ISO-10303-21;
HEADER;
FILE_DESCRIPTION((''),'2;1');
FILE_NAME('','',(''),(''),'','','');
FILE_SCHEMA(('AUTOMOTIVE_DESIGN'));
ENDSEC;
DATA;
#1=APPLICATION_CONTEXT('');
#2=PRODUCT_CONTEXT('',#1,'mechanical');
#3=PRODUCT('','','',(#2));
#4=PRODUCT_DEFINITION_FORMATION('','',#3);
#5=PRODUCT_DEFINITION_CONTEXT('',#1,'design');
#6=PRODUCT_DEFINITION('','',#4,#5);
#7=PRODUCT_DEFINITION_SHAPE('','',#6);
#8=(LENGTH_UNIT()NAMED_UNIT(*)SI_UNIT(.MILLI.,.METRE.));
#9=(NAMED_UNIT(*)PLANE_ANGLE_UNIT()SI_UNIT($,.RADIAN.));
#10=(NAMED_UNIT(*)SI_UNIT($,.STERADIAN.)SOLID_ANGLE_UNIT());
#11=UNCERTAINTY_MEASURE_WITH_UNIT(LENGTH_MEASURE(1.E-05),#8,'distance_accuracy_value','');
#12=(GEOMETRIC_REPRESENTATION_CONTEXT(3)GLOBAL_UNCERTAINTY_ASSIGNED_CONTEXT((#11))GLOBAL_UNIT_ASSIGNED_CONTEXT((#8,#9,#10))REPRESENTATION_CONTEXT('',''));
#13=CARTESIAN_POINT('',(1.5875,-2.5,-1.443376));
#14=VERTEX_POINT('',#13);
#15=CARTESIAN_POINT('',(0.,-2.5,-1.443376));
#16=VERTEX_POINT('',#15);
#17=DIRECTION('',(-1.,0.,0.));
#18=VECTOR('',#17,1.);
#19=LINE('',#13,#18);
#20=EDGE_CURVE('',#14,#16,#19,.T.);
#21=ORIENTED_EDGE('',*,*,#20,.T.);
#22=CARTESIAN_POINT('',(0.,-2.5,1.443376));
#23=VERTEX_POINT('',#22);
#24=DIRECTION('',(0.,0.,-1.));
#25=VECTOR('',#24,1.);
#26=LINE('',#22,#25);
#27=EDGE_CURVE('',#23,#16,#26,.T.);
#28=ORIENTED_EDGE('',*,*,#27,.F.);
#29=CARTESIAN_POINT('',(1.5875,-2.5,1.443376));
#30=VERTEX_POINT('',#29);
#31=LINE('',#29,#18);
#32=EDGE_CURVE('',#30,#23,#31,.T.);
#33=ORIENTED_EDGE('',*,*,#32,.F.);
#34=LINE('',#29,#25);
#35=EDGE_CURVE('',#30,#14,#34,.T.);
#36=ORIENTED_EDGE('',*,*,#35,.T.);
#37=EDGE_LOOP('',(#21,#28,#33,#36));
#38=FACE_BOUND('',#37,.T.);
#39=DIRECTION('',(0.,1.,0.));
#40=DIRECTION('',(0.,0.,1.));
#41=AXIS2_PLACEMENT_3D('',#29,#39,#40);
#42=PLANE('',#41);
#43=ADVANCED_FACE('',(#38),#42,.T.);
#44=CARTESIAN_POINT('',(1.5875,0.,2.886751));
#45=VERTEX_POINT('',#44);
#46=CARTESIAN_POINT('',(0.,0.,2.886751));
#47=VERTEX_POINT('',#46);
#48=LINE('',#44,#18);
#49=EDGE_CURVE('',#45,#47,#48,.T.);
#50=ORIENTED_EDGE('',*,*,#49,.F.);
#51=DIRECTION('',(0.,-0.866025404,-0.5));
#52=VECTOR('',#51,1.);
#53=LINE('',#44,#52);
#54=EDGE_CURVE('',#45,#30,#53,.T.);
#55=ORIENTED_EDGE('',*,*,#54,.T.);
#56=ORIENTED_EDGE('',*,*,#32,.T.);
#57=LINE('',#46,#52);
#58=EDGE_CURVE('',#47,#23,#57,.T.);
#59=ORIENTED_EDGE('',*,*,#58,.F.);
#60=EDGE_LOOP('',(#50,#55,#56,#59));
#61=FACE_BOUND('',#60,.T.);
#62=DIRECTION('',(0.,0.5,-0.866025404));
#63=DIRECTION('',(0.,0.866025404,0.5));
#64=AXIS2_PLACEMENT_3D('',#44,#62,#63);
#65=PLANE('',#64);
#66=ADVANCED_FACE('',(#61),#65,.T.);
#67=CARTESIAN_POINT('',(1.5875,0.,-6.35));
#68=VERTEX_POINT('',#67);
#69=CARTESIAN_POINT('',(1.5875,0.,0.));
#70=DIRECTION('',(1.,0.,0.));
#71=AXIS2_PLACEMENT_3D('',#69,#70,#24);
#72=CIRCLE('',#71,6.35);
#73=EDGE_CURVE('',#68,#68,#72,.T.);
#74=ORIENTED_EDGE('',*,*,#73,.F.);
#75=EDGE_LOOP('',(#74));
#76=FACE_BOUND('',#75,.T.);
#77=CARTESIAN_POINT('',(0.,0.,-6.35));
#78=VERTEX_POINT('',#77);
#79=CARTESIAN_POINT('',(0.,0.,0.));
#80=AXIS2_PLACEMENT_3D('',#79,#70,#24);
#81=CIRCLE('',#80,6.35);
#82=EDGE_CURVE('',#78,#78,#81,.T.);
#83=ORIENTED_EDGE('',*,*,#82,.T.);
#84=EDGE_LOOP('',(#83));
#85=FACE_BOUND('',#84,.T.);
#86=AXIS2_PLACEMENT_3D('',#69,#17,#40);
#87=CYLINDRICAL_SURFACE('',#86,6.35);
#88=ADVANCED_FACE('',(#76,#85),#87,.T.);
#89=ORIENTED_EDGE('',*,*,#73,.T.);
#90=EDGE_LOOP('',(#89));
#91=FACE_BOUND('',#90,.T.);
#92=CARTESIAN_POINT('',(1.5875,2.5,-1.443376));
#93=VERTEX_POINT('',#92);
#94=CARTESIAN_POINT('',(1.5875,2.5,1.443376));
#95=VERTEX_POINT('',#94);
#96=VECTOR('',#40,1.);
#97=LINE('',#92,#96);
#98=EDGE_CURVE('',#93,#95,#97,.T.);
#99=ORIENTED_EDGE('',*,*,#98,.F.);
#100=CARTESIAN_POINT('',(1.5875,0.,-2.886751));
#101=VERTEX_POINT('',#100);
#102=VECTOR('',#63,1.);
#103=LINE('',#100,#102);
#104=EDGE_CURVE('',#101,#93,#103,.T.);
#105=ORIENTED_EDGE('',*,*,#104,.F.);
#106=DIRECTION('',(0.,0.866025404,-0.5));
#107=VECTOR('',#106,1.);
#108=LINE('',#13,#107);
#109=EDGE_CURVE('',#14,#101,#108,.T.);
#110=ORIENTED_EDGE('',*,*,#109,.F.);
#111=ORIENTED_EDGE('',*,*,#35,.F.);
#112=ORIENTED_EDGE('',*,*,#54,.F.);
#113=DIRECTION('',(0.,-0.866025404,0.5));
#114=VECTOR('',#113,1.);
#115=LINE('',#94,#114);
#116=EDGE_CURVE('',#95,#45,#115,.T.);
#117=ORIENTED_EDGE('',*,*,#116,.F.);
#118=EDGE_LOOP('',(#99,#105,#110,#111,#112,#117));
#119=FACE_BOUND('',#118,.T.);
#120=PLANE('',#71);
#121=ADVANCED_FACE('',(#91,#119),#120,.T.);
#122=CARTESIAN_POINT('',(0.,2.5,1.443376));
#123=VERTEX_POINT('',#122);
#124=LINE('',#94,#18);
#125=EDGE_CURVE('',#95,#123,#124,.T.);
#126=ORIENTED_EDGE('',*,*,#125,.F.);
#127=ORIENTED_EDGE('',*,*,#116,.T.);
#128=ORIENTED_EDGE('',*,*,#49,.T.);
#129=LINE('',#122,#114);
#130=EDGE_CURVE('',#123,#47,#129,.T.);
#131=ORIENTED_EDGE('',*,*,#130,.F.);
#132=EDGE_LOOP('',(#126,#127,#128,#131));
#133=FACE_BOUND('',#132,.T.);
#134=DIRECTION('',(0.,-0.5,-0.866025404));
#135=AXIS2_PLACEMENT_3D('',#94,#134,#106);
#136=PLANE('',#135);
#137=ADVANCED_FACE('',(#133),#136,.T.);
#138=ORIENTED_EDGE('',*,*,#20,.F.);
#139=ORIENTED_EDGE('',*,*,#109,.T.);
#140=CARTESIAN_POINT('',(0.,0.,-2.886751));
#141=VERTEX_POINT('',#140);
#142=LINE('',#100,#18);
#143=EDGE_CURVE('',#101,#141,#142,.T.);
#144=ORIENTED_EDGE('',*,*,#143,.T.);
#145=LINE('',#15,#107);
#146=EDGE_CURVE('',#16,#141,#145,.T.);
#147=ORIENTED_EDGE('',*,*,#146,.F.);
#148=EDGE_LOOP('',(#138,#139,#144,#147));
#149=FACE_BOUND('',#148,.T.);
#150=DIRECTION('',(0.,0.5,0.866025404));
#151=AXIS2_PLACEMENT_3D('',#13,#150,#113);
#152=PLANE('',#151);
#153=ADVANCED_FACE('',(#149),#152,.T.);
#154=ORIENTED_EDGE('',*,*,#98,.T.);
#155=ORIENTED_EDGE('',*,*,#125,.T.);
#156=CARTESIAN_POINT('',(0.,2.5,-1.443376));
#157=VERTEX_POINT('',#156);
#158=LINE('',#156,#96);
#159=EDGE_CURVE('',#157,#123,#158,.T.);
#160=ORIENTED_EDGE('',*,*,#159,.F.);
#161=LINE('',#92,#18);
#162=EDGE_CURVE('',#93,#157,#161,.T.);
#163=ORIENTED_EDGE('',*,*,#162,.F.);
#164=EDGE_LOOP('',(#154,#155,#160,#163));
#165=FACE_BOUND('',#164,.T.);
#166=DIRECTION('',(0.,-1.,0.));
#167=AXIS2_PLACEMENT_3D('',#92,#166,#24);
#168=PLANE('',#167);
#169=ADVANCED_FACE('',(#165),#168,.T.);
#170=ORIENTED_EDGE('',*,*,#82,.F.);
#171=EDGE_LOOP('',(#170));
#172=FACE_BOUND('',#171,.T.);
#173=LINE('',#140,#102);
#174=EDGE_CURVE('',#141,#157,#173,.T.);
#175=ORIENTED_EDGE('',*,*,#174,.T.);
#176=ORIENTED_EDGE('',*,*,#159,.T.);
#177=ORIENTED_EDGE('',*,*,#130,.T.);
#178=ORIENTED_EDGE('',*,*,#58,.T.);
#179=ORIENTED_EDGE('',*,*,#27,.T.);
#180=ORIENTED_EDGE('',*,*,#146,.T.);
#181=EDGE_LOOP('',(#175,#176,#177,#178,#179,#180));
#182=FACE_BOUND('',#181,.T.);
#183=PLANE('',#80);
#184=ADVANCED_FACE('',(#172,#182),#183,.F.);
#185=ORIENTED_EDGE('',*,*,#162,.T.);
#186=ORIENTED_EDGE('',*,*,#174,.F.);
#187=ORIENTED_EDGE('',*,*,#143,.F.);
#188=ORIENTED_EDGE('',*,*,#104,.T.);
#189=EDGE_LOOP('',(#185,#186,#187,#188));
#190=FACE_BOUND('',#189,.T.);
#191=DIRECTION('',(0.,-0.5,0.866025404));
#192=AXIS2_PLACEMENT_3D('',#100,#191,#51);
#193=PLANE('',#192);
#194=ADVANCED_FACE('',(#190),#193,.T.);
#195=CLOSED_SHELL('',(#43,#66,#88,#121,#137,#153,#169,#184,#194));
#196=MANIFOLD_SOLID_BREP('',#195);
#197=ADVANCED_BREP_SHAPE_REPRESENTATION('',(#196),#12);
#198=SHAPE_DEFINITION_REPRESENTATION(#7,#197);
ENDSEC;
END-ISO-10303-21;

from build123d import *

# Parameters (mm, degrees)
SKETCH1_R           = 6.35
BOSS_EXTRUDE1_DEPTH = 1.5875


with BuildPart() as part:
    # Sketch1 → Boss-Extrude1 (new body)
    with BuildSketch(Plane(origin=(0, 0, 0), x_dir=(0, 0, -1), z_dir=(1, 0, 0))):
        Circle(SKETCH1_R)
        Polygon((2.886751346, 0), (1.443375673, 2.5), (-1.443375673, 2.5), (-2.886751346, 0), (-1.443375673, -2.5), (1.443375673, -2.5), align=None, mode=Mode.SUBTRACT)
    extrude(amount=BOSS_EXTRUDE1_DEPTH)


solid = part.part
